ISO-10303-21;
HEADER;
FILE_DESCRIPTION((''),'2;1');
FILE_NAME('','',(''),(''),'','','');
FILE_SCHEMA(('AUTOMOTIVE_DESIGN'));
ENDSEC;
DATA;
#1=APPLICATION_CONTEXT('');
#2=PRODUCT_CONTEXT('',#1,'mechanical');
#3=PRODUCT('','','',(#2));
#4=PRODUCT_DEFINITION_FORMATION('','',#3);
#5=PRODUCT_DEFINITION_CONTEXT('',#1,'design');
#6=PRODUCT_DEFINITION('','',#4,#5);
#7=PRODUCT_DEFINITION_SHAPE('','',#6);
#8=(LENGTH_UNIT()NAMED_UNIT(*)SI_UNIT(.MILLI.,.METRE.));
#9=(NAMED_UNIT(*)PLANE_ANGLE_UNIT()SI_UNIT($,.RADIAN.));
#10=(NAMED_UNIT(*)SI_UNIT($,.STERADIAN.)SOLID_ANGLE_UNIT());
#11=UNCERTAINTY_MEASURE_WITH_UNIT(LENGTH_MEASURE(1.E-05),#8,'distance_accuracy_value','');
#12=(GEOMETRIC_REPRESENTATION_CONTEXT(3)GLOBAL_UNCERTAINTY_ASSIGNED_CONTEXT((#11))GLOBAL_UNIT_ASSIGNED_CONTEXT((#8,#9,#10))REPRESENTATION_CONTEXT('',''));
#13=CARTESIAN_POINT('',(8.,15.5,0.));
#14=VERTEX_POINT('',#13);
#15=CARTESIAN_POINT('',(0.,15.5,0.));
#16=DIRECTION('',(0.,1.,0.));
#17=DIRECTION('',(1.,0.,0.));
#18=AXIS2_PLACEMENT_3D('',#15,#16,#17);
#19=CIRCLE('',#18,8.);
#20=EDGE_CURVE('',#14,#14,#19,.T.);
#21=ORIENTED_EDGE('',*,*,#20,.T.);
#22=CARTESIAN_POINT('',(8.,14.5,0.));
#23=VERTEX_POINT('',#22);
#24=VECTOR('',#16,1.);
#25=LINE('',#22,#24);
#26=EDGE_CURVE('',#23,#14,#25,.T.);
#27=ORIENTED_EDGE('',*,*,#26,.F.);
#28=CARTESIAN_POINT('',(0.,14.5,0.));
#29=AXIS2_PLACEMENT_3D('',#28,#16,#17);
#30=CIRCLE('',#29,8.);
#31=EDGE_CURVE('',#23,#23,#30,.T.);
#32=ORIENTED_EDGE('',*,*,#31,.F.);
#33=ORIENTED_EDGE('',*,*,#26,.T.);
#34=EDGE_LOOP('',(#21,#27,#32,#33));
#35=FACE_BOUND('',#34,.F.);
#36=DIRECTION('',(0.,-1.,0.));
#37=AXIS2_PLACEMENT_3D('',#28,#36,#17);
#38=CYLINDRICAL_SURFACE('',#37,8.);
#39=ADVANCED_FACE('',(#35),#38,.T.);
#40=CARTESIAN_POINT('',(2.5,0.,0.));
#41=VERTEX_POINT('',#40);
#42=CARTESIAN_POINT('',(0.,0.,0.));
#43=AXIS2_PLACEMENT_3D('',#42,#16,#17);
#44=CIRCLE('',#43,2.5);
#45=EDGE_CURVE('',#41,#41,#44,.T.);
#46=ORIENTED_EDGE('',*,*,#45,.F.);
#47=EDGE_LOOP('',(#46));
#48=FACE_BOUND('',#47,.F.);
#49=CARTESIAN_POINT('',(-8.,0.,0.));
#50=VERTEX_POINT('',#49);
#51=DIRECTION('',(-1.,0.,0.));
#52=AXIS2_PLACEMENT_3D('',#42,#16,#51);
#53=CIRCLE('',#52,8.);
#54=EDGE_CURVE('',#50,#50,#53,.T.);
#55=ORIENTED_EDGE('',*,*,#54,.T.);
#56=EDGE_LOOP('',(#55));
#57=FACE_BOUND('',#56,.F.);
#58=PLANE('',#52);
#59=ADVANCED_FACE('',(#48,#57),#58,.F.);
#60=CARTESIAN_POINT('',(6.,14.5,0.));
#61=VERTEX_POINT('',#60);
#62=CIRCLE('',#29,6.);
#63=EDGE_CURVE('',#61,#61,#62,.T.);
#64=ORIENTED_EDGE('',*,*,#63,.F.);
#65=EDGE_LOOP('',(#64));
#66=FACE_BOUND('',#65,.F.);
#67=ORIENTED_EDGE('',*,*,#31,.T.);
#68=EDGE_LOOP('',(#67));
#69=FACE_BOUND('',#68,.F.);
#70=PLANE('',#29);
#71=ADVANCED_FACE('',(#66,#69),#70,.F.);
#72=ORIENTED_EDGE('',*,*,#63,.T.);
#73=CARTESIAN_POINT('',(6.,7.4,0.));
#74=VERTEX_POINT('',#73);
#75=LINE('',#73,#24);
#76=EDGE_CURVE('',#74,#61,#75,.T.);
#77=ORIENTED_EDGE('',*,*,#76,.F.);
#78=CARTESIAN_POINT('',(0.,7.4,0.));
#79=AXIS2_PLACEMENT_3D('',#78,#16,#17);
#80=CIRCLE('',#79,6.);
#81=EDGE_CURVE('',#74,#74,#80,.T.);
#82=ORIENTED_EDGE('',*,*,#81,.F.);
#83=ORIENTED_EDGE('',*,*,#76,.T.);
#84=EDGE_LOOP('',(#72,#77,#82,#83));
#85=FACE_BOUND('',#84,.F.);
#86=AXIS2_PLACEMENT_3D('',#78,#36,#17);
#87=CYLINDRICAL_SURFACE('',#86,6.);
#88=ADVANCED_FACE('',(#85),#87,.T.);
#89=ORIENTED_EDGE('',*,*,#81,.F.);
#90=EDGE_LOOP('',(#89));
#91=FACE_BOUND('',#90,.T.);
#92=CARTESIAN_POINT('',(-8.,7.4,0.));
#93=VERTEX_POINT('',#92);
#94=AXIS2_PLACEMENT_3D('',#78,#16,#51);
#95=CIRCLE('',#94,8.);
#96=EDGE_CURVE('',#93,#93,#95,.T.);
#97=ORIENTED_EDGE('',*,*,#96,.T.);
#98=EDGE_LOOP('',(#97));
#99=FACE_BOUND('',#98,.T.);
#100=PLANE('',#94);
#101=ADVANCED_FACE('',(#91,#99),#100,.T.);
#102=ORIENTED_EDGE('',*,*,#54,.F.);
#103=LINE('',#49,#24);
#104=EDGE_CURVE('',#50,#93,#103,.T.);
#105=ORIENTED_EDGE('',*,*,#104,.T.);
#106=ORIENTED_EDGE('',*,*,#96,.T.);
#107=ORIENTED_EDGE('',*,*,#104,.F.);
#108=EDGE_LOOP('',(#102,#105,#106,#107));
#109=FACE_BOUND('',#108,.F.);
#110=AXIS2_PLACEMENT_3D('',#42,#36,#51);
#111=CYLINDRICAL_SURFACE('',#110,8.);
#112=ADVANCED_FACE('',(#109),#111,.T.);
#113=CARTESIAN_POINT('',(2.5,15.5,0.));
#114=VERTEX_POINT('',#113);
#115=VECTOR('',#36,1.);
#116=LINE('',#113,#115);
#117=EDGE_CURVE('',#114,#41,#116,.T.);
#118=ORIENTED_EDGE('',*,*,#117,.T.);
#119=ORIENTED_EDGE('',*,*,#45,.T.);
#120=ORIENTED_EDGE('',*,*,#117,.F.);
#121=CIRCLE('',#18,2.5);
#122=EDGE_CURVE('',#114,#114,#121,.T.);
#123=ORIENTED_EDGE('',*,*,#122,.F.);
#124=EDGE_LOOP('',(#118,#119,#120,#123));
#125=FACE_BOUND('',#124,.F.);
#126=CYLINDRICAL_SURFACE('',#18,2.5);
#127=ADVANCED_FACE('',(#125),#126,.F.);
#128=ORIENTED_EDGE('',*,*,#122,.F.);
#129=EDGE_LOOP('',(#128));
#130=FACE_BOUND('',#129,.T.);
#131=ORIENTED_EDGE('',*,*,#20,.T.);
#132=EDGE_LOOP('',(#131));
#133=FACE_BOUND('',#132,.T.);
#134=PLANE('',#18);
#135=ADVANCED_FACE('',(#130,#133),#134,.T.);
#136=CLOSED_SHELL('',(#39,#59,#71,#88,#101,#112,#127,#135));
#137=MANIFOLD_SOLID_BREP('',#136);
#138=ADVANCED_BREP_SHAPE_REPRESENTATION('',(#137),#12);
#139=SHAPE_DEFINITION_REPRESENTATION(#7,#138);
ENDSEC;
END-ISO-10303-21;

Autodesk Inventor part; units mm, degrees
ref_plane "YZ Plane" through (0, 0, 0) normal (1, 0, 0) x (0, 1, 0)
ref_plane "XZ Plane" through (0, 0, 0) normal (0, 1, 0) x (-1, 0, 0)
ref_plane "XY Plane" through (0, 0, 0) normal (0, 0, 1) x (1, 0, 0)
sketch "Sketch1" plane through (0, 0, 0) normal (0, 1, 0) x (-1, 0, 0)
  circle A0 centre (0, 0) radius 8
  dimension "d0" = 16
extrude "Extrusion1" add sketch "Sketch1" along normal blind 7.4
sketch "Sketch2" plane through (0, 7.4, 0) normal (0, 1, 0) x (1, 0, 0)
  circle A0 centre (0, 0) radius 6
  dimension "d3" = 12
extrude "Extrusion2" add sketch "Sketch2" along normal blind 7.1
sketch "Sketch3" plane through (0, 14.5, 0) normal (0, 1, 0) x (1, 0, 0)
  circle A0 centre (0, 0) radius 8
extrude "Extrusion3" add sketch "Sketch3" along normal blind 1
sketch "Sketch4" plane through (0, 15.5, 0) normal (0, 1, 0) x (1, 0, 0)
  circle A0 centre (0, 0) radius 2.5
  dimension "d8" = 5
extrude "Extrusion4" cut sketch "Sketch4" against normal through all
properties part number "GT2 20T"
